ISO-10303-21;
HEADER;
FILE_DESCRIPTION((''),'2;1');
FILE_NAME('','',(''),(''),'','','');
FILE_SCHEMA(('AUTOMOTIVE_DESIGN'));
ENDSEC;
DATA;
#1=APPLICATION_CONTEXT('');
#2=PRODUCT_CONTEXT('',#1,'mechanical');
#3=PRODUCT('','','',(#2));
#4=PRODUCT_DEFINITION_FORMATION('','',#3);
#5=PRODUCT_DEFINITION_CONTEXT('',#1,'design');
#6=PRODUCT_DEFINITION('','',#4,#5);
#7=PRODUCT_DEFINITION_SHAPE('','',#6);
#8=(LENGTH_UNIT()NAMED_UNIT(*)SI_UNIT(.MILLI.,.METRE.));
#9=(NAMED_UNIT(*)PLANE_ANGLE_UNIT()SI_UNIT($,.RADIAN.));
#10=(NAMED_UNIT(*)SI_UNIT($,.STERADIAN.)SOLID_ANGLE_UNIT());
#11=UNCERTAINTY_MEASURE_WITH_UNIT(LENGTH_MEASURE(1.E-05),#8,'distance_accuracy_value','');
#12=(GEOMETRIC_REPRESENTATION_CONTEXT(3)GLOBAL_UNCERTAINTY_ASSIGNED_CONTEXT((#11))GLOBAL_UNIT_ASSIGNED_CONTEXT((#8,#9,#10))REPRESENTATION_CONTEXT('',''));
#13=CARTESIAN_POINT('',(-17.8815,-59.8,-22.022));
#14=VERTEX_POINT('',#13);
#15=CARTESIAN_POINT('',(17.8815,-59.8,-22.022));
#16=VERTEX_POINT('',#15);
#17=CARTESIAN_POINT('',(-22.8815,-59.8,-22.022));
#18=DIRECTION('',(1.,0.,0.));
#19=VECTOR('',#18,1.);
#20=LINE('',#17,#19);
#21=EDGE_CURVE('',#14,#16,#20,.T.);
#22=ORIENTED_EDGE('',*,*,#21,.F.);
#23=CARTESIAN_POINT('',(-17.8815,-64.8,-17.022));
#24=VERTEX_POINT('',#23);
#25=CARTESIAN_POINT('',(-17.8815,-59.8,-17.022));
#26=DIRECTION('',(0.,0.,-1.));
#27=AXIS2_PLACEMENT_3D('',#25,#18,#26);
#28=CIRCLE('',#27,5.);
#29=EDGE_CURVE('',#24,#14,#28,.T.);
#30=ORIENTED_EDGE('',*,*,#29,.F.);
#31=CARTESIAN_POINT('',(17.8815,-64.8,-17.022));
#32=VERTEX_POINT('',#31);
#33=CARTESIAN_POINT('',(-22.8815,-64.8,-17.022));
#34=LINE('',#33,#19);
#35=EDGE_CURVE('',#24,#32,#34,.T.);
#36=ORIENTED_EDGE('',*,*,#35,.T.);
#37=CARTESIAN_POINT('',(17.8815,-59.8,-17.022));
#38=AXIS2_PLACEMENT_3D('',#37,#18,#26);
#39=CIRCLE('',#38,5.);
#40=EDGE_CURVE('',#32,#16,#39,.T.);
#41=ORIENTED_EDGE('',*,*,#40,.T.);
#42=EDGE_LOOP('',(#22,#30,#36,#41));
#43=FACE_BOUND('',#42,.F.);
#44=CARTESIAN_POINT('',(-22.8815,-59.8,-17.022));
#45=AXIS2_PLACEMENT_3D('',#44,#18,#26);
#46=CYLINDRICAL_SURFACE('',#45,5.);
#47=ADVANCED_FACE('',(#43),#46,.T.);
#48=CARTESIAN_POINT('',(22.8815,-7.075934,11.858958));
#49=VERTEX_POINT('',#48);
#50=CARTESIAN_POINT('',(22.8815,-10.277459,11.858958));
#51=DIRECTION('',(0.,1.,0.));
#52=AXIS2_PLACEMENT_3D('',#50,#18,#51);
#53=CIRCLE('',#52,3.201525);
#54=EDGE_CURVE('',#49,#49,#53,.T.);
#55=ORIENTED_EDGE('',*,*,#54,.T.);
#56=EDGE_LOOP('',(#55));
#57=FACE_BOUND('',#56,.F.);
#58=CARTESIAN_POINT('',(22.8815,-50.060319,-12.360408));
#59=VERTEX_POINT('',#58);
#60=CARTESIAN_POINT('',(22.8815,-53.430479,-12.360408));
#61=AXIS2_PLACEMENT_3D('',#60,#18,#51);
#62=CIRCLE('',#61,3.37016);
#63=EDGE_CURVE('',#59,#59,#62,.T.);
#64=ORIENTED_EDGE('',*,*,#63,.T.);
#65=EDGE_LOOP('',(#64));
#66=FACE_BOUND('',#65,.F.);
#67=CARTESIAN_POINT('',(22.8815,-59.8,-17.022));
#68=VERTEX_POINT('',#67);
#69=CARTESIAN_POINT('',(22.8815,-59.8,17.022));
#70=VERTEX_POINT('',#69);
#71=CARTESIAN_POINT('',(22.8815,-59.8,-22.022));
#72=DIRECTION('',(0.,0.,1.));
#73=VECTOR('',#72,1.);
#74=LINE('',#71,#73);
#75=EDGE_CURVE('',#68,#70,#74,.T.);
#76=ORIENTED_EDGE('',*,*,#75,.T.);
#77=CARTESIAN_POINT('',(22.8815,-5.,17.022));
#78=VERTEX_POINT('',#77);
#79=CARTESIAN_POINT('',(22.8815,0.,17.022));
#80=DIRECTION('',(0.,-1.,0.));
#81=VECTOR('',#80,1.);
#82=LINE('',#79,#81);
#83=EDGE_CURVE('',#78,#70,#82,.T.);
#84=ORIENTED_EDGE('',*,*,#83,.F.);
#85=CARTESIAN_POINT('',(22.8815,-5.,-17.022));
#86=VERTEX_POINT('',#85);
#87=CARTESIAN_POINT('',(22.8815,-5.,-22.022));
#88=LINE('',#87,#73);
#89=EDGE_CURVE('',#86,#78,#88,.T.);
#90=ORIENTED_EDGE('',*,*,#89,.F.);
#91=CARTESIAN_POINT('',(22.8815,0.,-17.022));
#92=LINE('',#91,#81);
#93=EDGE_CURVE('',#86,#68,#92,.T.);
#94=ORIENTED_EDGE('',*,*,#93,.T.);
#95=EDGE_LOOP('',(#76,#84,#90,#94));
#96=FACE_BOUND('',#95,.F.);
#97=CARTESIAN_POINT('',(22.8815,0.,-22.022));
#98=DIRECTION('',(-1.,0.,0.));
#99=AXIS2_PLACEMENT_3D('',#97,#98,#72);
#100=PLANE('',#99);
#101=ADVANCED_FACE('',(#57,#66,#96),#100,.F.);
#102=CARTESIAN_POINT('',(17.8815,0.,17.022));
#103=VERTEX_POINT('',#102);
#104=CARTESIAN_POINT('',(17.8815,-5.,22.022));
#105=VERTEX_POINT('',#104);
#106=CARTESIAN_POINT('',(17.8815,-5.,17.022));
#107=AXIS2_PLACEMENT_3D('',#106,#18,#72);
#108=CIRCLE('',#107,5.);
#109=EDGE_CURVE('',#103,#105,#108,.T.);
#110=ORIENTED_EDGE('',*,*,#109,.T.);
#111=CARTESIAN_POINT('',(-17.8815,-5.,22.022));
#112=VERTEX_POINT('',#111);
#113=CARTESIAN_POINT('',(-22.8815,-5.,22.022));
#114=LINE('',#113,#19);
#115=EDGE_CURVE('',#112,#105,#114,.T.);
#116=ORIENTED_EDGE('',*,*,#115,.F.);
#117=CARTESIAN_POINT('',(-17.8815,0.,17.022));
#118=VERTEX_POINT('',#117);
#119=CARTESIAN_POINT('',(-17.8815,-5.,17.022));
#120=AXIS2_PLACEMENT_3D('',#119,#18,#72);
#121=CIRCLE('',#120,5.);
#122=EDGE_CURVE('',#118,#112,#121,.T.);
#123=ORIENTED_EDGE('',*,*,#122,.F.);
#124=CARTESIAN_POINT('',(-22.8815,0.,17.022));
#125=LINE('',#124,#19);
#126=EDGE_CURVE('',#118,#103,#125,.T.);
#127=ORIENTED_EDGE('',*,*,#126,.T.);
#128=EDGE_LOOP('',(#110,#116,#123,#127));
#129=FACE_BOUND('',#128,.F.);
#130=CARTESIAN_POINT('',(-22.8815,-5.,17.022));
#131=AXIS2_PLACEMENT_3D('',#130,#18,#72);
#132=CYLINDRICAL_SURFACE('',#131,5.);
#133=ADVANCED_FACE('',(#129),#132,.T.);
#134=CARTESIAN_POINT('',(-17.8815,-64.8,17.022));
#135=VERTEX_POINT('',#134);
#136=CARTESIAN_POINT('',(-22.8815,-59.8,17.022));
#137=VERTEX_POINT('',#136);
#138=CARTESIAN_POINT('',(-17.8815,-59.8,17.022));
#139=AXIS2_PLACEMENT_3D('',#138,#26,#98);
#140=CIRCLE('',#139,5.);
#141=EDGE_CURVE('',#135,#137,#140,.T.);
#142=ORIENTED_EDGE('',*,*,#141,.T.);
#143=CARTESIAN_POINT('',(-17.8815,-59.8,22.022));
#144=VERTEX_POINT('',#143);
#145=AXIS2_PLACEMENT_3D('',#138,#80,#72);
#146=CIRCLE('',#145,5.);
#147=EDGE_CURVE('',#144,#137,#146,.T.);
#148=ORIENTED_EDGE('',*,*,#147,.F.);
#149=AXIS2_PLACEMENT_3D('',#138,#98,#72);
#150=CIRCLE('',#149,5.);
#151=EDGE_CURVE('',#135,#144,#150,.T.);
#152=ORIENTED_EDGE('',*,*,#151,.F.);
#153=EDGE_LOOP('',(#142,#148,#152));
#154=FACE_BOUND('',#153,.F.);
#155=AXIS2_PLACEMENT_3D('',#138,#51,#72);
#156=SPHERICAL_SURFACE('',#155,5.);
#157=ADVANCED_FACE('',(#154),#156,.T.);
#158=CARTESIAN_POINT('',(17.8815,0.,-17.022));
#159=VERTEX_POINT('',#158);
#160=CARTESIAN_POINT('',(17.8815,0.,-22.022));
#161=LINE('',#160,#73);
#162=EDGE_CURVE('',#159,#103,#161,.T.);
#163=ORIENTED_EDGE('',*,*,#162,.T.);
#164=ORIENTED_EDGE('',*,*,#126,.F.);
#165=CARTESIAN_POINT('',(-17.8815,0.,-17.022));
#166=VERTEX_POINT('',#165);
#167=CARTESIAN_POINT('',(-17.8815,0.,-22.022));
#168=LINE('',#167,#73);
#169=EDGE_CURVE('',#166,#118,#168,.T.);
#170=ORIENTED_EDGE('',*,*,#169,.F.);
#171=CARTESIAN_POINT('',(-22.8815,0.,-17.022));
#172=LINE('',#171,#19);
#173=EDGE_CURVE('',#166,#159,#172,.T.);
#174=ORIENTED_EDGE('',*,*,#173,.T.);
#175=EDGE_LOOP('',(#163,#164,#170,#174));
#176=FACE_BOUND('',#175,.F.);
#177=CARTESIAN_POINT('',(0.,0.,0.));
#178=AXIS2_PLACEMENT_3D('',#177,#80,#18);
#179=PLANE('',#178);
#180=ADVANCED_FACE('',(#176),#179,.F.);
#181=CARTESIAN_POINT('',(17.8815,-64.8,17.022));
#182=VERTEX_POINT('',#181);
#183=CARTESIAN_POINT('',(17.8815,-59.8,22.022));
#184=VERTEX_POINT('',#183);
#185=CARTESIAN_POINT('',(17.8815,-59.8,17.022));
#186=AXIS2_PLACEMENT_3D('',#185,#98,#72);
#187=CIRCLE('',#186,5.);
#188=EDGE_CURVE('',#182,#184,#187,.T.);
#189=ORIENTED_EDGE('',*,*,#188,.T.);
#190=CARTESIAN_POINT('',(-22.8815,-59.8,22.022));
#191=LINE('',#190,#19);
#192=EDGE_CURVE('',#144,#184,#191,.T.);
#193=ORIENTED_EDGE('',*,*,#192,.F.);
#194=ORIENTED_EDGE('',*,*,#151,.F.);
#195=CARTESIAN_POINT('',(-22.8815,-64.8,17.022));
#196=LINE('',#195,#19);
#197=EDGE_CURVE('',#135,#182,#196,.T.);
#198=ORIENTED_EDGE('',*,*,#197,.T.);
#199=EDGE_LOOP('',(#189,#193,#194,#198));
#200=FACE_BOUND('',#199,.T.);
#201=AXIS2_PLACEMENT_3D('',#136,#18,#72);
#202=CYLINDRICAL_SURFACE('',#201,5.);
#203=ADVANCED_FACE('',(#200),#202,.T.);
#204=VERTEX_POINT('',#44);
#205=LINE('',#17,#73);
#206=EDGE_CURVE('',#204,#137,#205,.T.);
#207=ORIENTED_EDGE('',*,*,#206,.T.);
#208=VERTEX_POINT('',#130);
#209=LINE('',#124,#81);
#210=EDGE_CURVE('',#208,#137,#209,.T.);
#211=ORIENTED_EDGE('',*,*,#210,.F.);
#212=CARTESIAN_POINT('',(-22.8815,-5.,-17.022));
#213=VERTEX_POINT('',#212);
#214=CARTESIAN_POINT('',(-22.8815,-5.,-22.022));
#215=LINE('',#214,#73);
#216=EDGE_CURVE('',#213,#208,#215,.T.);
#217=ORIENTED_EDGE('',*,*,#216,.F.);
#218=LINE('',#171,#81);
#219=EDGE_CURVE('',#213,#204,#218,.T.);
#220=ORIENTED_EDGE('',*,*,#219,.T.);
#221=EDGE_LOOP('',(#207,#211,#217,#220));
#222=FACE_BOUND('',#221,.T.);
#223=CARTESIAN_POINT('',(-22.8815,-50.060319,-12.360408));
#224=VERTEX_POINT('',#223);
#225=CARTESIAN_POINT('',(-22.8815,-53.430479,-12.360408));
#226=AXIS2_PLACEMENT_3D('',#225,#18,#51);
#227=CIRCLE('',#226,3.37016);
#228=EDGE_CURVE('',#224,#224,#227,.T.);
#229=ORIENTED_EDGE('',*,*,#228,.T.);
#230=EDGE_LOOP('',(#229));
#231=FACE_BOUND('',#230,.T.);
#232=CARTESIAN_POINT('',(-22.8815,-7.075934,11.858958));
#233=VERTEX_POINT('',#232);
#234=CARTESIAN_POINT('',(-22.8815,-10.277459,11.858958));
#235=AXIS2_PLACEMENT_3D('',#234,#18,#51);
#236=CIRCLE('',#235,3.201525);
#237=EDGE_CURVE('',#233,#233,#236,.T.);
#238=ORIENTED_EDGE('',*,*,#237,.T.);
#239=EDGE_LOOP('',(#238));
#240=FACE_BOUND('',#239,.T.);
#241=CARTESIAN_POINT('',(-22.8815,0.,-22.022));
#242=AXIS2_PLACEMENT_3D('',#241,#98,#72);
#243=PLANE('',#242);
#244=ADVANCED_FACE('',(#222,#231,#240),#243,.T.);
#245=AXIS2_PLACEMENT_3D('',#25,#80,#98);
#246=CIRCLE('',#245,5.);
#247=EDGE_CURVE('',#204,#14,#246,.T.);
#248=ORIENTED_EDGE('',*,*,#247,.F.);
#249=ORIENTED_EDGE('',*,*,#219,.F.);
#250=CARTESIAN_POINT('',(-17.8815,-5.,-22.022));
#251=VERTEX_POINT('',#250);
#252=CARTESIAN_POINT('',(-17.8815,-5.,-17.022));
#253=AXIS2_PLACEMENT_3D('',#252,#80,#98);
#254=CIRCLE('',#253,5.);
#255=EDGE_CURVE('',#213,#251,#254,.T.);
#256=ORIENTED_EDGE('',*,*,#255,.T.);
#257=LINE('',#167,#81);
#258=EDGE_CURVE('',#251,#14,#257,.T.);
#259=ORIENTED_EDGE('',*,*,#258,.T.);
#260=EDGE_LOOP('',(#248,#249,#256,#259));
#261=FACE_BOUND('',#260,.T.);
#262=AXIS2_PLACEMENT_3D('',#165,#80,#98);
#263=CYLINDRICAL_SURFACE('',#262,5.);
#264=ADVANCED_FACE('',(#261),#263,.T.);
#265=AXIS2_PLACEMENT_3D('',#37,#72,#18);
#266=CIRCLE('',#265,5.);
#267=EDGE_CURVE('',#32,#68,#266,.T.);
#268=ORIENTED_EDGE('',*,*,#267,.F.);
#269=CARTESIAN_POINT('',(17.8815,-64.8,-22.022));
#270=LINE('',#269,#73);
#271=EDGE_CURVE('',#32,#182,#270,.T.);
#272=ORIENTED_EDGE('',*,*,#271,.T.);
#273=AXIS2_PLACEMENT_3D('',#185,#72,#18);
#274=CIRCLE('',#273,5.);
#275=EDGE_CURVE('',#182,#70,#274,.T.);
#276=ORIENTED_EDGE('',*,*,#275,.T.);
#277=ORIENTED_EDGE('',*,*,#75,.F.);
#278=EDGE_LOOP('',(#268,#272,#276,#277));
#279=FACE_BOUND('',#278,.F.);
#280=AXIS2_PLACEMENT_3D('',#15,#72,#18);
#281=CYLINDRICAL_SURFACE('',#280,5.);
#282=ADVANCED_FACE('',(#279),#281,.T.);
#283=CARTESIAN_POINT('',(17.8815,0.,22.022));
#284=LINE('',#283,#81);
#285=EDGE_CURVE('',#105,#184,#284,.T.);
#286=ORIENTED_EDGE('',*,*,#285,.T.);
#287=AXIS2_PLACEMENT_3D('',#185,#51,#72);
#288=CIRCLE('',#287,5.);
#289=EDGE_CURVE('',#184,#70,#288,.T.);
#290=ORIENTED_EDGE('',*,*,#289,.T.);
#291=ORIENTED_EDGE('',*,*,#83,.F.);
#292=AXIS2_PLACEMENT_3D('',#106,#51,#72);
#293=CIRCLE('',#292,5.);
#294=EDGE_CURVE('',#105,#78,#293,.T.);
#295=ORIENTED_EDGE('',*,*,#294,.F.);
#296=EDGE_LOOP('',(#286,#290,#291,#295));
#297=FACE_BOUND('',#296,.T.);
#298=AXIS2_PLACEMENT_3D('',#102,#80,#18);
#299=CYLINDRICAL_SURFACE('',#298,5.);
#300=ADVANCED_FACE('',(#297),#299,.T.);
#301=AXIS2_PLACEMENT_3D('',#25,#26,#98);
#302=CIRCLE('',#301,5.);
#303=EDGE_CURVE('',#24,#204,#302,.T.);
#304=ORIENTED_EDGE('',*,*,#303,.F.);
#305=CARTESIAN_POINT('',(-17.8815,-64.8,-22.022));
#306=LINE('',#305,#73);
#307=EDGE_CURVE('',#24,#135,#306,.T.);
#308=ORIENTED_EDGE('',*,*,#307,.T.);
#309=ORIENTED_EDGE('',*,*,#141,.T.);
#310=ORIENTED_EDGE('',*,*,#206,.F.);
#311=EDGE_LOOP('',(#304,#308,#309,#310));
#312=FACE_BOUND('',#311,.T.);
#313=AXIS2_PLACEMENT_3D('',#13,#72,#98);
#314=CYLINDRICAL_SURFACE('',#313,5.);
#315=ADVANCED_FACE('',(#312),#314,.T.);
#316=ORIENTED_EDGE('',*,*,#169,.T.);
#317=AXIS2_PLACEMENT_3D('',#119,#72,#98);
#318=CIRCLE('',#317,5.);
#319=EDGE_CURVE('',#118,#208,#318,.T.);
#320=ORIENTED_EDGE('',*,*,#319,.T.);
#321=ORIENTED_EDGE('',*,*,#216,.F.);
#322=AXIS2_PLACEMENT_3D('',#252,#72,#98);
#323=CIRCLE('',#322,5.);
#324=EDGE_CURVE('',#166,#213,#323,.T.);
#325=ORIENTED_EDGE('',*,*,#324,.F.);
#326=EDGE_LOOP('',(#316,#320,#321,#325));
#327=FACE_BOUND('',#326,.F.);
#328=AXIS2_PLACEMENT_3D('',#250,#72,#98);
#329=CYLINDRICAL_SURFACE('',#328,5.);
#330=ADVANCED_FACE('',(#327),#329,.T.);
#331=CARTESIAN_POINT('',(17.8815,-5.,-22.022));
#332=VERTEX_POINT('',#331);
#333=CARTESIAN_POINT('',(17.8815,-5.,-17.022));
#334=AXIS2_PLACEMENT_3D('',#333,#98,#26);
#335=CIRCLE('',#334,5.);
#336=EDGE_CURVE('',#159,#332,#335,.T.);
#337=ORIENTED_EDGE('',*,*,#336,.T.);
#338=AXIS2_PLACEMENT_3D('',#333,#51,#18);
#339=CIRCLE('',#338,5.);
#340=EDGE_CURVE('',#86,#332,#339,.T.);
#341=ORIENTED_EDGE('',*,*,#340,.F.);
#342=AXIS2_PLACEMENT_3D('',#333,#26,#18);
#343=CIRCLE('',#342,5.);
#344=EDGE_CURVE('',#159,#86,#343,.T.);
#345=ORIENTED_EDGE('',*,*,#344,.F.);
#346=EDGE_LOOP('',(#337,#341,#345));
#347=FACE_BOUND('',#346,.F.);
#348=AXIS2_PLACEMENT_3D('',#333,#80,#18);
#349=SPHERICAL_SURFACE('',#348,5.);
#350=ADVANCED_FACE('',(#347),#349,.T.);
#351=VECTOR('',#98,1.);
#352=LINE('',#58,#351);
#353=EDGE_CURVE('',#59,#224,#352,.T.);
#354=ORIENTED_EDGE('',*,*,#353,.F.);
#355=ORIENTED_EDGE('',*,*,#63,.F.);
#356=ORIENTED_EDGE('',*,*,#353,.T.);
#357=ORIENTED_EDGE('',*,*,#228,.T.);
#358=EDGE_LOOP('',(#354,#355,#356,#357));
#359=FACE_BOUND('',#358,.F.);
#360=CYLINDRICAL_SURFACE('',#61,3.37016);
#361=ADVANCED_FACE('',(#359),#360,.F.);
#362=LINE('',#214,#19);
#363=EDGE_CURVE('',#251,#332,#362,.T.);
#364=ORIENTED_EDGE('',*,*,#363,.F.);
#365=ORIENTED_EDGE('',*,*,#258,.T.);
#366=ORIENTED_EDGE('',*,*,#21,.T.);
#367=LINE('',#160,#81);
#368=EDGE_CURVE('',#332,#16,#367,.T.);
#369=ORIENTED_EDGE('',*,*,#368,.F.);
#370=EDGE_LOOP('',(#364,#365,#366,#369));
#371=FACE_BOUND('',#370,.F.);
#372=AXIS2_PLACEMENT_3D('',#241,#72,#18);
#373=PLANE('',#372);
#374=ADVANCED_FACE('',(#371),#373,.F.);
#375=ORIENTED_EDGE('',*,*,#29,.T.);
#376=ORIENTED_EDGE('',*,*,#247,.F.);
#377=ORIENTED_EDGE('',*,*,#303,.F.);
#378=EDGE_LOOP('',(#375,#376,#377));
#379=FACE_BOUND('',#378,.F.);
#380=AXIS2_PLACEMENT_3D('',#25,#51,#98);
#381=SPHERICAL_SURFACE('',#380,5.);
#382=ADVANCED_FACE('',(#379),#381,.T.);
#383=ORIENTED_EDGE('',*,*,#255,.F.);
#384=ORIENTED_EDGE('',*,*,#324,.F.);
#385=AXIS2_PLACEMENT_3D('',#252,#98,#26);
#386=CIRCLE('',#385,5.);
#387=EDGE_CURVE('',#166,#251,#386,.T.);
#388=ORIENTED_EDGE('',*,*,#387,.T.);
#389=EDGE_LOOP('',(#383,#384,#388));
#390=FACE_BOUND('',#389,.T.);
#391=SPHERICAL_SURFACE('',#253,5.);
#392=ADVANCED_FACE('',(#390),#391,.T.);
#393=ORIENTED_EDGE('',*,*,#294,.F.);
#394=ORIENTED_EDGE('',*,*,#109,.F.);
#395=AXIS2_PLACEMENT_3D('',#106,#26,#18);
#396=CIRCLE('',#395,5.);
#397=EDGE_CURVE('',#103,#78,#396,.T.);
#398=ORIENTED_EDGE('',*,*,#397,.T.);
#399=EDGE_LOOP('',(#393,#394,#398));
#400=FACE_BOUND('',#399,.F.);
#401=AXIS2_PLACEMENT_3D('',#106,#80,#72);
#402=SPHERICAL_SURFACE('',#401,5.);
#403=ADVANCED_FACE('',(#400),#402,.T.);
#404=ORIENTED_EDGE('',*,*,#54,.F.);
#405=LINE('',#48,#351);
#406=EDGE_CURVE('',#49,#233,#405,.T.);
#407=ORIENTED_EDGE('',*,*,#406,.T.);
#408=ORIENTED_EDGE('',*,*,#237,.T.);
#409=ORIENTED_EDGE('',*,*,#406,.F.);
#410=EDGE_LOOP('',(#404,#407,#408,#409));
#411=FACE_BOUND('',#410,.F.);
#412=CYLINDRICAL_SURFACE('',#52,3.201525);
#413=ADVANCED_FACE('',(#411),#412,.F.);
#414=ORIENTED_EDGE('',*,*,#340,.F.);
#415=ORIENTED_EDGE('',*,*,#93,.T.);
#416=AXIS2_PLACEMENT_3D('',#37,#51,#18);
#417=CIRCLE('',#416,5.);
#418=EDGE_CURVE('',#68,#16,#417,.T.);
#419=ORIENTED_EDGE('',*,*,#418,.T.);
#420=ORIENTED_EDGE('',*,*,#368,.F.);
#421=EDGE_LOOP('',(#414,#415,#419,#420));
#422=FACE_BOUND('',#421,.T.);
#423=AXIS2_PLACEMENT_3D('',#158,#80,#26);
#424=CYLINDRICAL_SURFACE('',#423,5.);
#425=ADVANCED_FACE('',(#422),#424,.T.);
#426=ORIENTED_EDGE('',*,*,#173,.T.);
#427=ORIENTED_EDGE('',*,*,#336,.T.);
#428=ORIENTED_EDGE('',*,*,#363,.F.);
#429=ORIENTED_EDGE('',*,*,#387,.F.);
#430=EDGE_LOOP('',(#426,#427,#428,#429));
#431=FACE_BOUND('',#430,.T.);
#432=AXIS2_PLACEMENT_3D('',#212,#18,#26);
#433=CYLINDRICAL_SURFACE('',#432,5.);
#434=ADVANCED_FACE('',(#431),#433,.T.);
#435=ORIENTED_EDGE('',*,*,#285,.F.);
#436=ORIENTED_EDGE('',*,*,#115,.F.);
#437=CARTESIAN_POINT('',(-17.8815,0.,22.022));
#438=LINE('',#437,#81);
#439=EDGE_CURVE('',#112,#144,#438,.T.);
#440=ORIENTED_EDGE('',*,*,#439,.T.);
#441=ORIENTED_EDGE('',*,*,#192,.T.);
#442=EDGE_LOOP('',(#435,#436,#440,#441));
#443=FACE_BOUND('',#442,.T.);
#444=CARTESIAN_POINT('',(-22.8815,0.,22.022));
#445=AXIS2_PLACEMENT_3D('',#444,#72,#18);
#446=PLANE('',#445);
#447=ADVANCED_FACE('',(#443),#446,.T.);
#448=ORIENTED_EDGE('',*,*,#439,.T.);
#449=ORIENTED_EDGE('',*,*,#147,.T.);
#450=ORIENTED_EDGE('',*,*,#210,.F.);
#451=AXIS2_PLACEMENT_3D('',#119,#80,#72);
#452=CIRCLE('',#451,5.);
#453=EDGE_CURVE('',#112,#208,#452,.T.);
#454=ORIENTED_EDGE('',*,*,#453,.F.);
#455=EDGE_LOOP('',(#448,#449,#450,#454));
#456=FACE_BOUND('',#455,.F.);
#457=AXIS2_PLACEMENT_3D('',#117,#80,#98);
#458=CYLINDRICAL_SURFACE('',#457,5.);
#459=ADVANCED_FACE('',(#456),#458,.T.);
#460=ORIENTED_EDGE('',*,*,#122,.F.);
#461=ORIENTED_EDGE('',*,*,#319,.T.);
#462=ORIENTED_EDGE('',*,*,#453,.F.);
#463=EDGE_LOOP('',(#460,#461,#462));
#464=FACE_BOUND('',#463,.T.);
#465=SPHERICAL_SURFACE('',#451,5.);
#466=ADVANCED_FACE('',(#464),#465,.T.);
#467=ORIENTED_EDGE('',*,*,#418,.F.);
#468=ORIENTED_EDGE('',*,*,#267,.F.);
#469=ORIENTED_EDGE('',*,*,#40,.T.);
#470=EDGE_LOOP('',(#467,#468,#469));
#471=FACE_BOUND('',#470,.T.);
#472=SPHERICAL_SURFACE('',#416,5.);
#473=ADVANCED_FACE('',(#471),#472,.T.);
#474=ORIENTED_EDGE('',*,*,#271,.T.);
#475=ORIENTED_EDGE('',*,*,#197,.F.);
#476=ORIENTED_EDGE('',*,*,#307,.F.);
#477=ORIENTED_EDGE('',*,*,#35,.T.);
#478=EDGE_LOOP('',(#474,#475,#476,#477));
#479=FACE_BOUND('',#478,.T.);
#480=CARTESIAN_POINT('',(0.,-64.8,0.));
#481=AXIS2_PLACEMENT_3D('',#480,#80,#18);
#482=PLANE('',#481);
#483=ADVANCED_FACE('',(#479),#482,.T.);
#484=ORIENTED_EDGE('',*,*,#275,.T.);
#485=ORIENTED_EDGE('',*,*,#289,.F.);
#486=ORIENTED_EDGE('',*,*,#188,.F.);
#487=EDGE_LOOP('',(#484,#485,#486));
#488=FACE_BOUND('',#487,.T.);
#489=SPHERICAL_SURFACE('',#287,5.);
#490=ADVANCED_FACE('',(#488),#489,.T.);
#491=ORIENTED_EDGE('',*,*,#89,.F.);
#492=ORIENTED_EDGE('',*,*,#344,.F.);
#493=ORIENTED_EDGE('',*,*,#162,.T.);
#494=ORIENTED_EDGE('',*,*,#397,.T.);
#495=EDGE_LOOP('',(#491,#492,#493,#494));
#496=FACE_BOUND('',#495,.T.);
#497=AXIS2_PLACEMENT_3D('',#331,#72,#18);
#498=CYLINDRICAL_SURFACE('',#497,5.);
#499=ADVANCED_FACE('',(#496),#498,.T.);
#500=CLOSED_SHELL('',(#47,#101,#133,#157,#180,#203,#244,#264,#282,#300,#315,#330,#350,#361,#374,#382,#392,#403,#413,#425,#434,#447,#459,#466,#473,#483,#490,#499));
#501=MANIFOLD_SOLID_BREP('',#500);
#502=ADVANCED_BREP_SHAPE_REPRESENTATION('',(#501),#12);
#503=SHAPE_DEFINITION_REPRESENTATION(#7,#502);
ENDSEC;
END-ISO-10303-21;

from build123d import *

# Parameters (mm, degrees)
F0_W     = 45.763
F0_H     = 44.044
F1_DEPTH = 64.8
F2_R     = 5
F3_R     = 3.201525
F3_R_2   = 3.37016
F4_DEPTH = 124.6


with BuildPart() as f1:
    # F0 (on Front) → F1 (new body)
    with BuildSketch(Plane.XZ):
        Rectangle(F0_W, F0_H)
    extrude(amount=F1_DEPTH)

    # F2
    f2_edges = [f1.edges().sort_by_distance(p)[0] for p in [
        (22.8815, -32.4, 22.022),
        (-22.8815, -32.4, 22.022),
        (0, 0, 22.022),
        (0, -64.8, 22.022),
        (22.8815, -32.4, -22.022),
        (22.8815, 0, 0),
        (22.8815, -64.8, 0),
        (-22.8815, -32.4, -22.022),
        (-22.8815, 0, 0),
        (-22.8815, -64.8, 0),
        (0, 0, -22.022),
        (0, -64.8, -22.022),
    ]]
    fillet(f2_edges, radius=F2_R)

    # F3 (on face) → F4 (cut)
    with BuildSketch(Plane.YZ.offset(22.8815)):
        with Locations((-10.277459, 11.858958)):
            Circle(F3_R)
        with Locations((-53.430479, -12.360408)):
            Circle(F3_R_2)
    extrude(amount=-F4_DEPTH, mode=Mode.SUBTRACT)


solid = f1.part
